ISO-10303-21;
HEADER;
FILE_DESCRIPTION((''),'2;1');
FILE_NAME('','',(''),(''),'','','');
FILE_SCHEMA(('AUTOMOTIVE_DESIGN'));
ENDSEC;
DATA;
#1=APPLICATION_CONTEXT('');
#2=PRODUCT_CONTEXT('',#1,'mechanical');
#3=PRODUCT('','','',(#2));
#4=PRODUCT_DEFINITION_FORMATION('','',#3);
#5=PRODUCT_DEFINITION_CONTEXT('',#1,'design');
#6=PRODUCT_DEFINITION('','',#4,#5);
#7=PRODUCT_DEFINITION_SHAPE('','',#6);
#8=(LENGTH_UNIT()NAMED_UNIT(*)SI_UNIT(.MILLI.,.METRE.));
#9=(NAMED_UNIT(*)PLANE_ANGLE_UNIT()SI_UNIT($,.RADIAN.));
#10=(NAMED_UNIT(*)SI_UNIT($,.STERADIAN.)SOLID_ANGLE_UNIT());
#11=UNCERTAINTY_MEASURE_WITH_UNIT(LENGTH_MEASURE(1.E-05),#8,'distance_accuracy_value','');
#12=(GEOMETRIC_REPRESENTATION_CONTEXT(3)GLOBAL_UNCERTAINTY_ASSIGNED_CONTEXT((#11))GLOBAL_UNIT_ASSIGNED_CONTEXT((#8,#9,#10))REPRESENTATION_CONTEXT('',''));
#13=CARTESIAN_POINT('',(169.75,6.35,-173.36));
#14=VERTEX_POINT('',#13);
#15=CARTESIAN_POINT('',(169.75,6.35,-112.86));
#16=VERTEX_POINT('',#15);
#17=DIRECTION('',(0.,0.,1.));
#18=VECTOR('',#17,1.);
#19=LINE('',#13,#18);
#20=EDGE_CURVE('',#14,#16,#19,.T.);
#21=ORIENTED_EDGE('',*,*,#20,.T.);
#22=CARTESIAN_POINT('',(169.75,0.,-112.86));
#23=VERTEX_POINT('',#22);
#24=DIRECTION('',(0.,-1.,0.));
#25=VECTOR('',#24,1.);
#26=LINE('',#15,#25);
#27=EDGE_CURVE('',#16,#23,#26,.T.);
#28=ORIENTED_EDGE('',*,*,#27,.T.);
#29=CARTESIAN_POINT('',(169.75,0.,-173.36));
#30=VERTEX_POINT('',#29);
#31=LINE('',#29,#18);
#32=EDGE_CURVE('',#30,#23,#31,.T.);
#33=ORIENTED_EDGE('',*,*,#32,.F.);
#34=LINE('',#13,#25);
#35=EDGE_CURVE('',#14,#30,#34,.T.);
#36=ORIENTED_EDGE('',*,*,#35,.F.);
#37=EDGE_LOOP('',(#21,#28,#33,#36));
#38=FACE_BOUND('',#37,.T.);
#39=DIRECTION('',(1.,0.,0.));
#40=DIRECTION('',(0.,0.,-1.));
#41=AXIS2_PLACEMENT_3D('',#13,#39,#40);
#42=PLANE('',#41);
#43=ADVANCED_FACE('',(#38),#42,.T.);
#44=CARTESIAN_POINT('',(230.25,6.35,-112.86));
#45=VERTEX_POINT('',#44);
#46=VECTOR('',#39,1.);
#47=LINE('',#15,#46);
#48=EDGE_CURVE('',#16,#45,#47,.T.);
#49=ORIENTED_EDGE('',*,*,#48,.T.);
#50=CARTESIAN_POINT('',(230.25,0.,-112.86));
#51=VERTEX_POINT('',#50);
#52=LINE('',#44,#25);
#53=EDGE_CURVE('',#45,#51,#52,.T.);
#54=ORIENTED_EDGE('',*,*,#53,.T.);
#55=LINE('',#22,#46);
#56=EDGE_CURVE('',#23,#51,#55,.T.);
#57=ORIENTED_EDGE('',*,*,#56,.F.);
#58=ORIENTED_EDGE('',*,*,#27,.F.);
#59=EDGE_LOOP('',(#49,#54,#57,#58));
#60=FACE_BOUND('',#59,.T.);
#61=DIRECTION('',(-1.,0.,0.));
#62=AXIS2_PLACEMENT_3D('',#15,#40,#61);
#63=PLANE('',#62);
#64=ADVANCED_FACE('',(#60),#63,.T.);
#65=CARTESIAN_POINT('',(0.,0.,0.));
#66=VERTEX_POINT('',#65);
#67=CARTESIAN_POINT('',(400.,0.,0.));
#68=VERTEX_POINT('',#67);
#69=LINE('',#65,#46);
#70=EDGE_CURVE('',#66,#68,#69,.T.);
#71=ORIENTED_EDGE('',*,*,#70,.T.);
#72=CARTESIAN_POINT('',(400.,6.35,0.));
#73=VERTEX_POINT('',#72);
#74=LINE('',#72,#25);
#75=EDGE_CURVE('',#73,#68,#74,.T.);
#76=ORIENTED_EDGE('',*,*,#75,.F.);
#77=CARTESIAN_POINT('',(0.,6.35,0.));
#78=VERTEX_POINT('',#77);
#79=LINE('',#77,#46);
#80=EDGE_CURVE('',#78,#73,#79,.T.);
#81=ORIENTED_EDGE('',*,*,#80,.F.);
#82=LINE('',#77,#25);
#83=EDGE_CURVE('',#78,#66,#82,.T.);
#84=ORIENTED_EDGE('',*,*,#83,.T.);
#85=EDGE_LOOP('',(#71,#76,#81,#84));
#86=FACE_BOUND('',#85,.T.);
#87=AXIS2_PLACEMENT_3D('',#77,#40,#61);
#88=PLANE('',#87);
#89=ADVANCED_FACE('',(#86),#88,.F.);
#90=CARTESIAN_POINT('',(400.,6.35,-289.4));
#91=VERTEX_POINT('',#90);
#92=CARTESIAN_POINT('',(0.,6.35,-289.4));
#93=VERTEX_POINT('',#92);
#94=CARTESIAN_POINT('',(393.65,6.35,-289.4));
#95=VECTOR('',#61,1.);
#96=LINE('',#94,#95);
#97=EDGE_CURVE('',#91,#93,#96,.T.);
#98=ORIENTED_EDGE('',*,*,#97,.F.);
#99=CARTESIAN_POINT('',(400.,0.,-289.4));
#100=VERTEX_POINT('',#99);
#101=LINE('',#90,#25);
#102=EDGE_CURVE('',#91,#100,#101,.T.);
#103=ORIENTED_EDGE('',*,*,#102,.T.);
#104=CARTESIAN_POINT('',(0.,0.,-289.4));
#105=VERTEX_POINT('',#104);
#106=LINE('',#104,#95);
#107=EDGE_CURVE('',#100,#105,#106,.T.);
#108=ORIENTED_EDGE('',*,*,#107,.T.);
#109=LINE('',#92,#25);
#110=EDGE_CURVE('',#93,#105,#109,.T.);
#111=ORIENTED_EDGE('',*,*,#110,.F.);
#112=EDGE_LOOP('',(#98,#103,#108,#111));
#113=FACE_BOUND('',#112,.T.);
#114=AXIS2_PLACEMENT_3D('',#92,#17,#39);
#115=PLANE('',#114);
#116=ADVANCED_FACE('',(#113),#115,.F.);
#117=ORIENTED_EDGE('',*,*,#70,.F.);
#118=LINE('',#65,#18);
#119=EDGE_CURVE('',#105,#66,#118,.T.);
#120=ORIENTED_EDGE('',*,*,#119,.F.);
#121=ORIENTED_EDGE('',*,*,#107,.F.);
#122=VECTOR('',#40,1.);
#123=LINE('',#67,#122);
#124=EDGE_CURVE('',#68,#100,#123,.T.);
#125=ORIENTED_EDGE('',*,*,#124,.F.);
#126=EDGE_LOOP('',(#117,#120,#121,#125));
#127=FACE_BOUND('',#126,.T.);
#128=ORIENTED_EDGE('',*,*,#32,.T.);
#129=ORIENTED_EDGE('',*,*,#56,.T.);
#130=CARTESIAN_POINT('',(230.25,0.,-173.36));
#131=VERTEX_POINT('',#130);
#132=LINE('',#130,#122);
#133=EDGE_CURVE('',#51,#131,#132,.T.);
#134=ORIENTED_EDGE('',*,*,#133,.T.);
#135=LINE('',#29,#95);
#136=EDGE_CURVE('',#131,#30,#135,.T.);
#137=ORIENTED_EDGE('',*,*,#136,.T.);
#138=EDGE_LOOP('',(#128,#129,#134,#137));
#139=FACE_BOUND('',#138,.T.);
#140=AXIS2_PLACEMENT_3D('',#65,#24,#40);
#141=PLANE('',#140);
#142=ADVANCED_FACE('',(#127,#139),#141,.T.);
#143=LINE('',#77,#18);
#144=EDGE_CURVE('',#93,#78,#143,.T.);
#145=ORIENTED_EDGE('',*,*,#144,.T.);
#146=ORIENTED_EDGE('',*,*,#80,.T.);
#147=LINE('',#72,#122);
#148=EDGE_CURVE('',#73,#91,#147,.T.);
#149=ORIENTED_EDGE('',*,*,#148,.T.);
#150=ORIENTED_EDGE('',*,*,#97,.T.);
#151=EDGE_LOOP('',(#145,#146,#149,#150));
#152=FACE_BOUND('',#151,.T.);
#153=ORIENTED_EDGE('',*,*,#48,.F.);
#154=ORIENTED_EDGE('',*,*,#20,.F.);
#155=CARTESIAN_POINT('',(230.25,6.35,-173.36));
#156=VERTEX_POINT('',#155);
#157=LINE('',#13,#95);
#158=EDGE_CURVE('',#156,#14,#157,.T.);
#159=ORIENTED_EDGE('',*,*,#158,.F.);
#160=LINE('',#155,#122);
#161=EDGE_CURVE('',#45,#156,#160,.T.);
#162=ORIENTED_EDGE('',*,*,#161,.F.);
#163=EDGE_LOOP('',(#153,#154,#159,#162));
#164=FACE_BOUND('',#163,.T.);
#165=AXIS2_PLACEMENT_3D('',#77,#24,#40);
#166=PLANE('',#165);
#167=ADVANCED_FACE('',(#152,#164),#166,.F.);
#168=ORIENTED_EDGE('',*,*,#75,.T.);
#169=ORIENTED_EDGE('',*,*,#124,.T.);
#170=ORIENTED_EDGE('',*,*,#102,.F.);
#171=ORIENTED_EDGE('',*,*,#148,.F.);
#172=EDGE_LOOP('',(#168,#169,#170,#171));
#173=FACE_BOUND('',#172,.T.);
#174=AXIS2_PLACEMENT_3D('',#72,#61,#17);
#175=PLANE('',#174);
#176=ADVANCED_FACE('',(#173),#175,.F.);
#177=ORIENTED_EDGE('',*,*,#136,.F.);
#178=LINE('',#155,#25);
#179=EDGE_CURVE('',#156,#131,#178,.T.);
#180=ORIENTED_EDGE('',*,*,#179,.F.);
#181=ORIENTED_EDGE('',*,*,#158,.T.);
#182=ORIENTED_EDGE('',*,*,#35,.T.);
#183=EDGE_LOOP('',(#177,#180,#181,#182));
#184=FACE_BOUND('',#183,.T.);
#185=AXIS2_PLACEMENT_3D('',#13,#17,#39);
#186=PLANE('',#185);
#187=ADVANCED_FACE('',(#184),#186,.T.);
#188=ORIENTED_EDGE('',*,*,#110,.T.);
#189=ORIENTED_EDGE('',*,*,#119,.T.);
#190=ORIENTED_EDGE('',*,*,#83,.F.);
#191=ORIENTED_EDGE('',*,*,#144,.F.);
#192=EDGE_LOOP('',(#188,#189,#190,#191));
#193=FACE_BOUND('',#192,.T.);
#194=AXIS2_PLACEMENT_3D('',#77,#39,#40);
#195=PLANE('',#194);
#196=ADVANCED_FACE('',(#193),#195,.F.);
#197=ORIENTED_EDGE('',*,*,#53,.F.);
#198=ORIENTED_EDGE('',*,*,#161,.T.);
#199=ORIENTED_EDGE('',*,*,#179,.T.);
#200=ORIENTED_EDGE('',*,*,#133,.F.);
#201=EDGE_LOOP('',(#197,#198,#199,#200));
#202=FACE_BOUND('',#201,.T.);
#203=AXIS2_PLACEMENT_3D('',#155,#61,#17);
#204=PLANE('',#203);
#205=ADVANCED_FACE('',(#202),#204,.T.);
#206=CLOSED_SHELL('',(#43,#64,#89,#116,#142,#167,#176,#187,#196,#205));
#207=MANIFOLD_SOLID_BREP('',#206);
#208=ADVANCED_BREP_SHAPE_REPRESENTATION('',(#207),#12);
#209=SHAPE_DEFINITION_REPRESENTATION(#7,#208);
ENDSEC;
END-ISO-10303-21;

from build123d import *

# Parameters (mm, degrees)
SKETCH1_W           = 60.5
SKETCH1_H           = 60.5
BOSS_EXTRUDE1_DEPTH = 6.35


with BuildPart() as part:
    # Sketch1 → Boss-Extrude1 (new body)
    with BuildSketch(Plane(origin=(0, 0, 0), x_dir=(1, 0, 0), z_dir=(0, 1, 0))):
        Polygon((13.7, 289.4), (386.3, 289.4), (393.65, 289.4), (400, 289.4), (400, 0), (0, 0), (0, 289.4), (6.35, 289.4), align=None)
        with Locations((200, 143.11)):
            Rectangle(SKETCH1_W, SKETCH1_H, mode=Mode.SUBTRACT)
    extrude(amount=BOSS_EXTRUDE1_DEPTH)


solid = part.part
